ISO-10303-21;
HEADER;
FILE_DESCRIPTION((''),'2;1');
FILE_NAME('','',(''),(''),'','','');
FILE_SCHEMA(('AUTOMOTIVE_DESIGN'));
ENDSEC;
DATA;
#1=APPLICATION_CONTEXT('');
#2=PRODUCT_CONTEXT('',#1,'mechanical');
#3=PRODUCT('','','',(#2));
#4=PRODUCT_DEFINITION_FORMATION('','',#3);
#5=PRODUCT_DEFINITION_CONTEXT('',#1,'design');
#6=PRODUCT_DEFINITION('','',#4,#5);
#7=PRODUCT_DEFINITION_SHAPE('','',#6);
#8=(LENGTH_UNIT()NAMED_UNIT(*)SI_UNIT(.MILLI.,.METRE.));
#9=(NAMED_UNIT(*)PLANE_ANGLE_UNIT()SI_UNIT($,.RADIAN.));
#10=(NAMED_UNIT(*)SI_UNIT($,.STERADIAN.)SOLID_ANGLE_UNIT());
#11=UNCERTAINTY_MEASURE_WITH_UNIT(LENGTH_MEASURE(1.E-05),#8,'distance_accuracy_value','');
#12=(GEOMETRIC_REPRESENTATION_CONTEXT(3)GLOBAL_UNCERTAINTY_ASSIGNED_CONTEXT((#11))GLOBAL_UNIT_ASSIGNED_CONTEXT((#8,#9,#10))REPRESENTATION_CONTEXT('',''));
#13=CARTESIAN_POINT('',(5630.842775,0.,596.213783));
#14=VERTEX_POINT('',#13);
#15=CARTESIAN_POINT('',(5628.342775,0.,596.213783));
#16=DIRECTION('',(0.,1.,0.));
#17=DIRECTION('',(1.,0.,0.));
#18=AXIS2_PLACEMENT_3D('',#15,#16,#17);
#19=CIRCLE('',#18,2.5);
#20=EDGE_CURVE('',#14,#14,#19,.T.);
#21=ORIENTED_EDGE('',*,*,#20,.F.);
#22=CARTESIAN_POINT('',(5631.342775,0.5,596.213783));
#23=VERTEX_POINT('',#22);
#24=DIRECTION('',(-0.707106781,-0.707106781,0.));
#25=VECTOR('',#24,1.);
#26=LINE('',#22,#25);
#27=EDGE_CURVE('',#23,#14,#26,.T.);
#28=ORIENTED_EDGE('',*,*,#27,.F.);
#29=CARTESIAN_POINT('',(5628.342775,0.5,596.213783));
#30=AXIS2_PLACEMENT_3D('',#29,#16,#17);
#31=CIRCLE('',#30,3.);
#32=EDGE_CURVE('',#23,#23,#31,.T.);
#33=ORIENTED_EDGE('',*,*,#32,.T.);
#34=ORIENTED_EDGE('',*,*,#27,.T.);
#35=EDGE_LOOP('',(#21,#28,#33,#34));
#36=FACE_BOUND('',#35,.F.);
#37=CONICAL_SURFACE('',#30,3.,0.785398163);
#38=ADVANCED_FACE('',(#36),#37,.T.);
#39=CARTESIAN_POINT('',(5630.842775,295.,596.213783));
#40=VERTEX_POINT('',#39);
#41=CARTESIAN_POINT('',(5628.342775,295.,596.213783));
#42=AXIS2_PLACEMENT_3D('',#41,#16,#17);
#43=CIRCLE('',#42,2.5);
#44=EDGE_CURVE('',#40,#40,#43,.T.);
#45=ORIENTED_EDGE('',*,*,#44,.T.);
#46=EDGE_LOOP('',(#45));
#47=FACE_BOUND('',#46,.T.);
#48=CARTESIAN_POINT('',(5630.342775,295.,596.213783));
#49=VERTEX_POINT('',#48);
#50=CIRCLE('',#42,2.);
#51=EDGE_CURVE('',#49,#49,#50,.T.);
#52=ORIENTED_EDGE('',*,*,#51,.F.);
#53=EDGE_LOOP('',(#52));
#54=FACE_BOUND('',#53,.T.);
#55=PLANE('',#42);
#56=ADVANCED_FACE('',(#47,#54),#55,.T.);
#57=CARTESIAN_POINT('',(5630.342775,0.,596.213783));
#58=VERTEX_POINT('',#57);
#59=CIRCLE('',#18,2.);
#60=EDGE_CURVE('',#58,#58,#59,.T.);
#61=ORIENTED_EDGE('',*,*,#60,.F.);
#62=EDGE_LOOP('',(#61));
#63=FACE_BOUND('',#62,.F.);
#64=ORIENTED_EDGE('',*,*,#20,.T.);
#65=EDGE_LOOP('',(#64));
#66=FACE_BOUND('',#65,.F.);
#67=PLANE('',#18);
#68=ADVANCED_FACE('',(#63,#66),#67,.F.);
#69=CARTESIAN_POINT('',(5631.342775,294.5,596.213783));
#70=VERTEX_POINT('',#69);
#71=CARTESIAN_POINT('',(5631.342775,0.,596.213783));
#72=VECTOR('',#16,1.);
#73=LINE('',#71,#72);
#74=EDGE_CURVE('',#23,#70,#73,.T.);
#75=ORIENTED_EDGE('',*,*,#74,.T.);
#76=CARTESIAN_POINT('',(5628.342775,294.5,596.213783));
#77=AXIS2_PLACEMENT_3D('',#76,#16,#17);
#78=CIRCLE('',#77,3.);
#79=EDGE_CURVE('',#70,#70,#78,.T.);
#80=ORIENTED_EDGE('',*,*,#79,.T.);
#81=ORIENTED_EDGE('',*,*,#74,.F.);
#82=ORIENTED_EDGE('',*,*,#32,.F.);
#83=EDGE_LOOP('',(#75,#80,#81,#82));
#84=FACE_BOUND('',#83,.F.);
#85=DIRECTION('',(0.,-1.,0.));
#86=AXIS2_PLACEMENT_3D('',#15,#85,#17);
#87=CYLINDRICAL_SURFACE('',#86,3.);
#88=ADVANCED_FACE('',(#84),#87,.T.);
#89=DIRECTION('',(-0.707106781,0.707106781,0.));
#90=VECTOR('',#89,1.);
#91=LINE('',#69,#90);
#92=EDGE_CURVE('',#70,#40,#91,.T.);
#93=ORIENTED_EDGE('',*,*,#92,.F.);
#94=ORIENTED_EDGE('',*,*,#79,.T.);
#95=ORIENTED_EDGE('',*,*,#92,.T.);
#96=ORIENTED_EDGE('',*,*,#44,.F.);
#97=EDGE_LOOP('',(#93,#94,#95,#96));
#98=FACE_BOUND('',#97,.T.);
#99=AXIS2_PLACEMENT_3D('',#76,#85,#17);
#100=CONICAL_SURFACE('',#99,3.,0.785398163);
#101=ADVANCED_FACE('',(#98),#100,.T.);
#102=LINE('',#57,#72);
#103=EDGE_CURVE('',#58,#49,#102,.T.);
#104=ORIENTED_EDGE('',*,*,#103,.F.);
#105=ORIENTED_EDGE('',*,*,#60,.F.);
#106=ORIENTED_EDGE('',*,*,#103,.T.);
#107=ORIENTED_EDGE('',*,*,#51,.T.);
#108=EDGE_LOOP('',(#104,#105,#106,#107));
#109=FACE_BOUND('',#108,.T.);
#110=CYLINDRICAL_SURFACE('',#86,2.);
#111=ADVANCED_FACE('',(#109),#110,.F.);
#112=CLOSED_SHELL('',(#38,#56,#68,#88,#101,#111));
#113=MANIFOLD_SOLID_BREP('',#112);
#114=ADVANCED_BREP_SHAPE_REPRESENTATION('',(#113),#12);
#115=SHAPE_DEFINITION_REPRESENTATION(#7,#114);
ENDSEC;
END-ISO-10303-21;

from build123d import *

# Parameters (mm, degrees)
ESQUISSE2_R        = 3
ESQUISSE2_R_2      = 2
BOSS_EXTRU_1_DEPTH = 295
CHANFREIN1_SIZE    = 0.5


with BuildPart() as part:
    # Esquisse2 → Boss.-Extru.1 (new body)
    with BuildSketch(Plane(origin=(0, 0, 0), x_dir=(1, 0, 0), z_dir=(0, 1, 0))):
        with Locations((5628.342775437, -596.213783271)):
            Circle(ESQUISSE2_R)
        with Locations((5628.342775437, -596.213783271)):
            Circle(ESQUISSE2_R_2, mode=Mode.SUBTRACT)
    extrude(amount=BOSS_EXTRU_1_DEPTH)

    # Chanfrein1
    chanfrein1_edges = [part.edges().sort_by_distance(p)[0] for p in [
        (5625.342775437, 0, 596.213783271),
        (5625.342775437, 295, 596.213783271),
    ]]
    chamfer(chanfrein1_edges, length=CHANFREIN1_SIZE)


solid = part.part
